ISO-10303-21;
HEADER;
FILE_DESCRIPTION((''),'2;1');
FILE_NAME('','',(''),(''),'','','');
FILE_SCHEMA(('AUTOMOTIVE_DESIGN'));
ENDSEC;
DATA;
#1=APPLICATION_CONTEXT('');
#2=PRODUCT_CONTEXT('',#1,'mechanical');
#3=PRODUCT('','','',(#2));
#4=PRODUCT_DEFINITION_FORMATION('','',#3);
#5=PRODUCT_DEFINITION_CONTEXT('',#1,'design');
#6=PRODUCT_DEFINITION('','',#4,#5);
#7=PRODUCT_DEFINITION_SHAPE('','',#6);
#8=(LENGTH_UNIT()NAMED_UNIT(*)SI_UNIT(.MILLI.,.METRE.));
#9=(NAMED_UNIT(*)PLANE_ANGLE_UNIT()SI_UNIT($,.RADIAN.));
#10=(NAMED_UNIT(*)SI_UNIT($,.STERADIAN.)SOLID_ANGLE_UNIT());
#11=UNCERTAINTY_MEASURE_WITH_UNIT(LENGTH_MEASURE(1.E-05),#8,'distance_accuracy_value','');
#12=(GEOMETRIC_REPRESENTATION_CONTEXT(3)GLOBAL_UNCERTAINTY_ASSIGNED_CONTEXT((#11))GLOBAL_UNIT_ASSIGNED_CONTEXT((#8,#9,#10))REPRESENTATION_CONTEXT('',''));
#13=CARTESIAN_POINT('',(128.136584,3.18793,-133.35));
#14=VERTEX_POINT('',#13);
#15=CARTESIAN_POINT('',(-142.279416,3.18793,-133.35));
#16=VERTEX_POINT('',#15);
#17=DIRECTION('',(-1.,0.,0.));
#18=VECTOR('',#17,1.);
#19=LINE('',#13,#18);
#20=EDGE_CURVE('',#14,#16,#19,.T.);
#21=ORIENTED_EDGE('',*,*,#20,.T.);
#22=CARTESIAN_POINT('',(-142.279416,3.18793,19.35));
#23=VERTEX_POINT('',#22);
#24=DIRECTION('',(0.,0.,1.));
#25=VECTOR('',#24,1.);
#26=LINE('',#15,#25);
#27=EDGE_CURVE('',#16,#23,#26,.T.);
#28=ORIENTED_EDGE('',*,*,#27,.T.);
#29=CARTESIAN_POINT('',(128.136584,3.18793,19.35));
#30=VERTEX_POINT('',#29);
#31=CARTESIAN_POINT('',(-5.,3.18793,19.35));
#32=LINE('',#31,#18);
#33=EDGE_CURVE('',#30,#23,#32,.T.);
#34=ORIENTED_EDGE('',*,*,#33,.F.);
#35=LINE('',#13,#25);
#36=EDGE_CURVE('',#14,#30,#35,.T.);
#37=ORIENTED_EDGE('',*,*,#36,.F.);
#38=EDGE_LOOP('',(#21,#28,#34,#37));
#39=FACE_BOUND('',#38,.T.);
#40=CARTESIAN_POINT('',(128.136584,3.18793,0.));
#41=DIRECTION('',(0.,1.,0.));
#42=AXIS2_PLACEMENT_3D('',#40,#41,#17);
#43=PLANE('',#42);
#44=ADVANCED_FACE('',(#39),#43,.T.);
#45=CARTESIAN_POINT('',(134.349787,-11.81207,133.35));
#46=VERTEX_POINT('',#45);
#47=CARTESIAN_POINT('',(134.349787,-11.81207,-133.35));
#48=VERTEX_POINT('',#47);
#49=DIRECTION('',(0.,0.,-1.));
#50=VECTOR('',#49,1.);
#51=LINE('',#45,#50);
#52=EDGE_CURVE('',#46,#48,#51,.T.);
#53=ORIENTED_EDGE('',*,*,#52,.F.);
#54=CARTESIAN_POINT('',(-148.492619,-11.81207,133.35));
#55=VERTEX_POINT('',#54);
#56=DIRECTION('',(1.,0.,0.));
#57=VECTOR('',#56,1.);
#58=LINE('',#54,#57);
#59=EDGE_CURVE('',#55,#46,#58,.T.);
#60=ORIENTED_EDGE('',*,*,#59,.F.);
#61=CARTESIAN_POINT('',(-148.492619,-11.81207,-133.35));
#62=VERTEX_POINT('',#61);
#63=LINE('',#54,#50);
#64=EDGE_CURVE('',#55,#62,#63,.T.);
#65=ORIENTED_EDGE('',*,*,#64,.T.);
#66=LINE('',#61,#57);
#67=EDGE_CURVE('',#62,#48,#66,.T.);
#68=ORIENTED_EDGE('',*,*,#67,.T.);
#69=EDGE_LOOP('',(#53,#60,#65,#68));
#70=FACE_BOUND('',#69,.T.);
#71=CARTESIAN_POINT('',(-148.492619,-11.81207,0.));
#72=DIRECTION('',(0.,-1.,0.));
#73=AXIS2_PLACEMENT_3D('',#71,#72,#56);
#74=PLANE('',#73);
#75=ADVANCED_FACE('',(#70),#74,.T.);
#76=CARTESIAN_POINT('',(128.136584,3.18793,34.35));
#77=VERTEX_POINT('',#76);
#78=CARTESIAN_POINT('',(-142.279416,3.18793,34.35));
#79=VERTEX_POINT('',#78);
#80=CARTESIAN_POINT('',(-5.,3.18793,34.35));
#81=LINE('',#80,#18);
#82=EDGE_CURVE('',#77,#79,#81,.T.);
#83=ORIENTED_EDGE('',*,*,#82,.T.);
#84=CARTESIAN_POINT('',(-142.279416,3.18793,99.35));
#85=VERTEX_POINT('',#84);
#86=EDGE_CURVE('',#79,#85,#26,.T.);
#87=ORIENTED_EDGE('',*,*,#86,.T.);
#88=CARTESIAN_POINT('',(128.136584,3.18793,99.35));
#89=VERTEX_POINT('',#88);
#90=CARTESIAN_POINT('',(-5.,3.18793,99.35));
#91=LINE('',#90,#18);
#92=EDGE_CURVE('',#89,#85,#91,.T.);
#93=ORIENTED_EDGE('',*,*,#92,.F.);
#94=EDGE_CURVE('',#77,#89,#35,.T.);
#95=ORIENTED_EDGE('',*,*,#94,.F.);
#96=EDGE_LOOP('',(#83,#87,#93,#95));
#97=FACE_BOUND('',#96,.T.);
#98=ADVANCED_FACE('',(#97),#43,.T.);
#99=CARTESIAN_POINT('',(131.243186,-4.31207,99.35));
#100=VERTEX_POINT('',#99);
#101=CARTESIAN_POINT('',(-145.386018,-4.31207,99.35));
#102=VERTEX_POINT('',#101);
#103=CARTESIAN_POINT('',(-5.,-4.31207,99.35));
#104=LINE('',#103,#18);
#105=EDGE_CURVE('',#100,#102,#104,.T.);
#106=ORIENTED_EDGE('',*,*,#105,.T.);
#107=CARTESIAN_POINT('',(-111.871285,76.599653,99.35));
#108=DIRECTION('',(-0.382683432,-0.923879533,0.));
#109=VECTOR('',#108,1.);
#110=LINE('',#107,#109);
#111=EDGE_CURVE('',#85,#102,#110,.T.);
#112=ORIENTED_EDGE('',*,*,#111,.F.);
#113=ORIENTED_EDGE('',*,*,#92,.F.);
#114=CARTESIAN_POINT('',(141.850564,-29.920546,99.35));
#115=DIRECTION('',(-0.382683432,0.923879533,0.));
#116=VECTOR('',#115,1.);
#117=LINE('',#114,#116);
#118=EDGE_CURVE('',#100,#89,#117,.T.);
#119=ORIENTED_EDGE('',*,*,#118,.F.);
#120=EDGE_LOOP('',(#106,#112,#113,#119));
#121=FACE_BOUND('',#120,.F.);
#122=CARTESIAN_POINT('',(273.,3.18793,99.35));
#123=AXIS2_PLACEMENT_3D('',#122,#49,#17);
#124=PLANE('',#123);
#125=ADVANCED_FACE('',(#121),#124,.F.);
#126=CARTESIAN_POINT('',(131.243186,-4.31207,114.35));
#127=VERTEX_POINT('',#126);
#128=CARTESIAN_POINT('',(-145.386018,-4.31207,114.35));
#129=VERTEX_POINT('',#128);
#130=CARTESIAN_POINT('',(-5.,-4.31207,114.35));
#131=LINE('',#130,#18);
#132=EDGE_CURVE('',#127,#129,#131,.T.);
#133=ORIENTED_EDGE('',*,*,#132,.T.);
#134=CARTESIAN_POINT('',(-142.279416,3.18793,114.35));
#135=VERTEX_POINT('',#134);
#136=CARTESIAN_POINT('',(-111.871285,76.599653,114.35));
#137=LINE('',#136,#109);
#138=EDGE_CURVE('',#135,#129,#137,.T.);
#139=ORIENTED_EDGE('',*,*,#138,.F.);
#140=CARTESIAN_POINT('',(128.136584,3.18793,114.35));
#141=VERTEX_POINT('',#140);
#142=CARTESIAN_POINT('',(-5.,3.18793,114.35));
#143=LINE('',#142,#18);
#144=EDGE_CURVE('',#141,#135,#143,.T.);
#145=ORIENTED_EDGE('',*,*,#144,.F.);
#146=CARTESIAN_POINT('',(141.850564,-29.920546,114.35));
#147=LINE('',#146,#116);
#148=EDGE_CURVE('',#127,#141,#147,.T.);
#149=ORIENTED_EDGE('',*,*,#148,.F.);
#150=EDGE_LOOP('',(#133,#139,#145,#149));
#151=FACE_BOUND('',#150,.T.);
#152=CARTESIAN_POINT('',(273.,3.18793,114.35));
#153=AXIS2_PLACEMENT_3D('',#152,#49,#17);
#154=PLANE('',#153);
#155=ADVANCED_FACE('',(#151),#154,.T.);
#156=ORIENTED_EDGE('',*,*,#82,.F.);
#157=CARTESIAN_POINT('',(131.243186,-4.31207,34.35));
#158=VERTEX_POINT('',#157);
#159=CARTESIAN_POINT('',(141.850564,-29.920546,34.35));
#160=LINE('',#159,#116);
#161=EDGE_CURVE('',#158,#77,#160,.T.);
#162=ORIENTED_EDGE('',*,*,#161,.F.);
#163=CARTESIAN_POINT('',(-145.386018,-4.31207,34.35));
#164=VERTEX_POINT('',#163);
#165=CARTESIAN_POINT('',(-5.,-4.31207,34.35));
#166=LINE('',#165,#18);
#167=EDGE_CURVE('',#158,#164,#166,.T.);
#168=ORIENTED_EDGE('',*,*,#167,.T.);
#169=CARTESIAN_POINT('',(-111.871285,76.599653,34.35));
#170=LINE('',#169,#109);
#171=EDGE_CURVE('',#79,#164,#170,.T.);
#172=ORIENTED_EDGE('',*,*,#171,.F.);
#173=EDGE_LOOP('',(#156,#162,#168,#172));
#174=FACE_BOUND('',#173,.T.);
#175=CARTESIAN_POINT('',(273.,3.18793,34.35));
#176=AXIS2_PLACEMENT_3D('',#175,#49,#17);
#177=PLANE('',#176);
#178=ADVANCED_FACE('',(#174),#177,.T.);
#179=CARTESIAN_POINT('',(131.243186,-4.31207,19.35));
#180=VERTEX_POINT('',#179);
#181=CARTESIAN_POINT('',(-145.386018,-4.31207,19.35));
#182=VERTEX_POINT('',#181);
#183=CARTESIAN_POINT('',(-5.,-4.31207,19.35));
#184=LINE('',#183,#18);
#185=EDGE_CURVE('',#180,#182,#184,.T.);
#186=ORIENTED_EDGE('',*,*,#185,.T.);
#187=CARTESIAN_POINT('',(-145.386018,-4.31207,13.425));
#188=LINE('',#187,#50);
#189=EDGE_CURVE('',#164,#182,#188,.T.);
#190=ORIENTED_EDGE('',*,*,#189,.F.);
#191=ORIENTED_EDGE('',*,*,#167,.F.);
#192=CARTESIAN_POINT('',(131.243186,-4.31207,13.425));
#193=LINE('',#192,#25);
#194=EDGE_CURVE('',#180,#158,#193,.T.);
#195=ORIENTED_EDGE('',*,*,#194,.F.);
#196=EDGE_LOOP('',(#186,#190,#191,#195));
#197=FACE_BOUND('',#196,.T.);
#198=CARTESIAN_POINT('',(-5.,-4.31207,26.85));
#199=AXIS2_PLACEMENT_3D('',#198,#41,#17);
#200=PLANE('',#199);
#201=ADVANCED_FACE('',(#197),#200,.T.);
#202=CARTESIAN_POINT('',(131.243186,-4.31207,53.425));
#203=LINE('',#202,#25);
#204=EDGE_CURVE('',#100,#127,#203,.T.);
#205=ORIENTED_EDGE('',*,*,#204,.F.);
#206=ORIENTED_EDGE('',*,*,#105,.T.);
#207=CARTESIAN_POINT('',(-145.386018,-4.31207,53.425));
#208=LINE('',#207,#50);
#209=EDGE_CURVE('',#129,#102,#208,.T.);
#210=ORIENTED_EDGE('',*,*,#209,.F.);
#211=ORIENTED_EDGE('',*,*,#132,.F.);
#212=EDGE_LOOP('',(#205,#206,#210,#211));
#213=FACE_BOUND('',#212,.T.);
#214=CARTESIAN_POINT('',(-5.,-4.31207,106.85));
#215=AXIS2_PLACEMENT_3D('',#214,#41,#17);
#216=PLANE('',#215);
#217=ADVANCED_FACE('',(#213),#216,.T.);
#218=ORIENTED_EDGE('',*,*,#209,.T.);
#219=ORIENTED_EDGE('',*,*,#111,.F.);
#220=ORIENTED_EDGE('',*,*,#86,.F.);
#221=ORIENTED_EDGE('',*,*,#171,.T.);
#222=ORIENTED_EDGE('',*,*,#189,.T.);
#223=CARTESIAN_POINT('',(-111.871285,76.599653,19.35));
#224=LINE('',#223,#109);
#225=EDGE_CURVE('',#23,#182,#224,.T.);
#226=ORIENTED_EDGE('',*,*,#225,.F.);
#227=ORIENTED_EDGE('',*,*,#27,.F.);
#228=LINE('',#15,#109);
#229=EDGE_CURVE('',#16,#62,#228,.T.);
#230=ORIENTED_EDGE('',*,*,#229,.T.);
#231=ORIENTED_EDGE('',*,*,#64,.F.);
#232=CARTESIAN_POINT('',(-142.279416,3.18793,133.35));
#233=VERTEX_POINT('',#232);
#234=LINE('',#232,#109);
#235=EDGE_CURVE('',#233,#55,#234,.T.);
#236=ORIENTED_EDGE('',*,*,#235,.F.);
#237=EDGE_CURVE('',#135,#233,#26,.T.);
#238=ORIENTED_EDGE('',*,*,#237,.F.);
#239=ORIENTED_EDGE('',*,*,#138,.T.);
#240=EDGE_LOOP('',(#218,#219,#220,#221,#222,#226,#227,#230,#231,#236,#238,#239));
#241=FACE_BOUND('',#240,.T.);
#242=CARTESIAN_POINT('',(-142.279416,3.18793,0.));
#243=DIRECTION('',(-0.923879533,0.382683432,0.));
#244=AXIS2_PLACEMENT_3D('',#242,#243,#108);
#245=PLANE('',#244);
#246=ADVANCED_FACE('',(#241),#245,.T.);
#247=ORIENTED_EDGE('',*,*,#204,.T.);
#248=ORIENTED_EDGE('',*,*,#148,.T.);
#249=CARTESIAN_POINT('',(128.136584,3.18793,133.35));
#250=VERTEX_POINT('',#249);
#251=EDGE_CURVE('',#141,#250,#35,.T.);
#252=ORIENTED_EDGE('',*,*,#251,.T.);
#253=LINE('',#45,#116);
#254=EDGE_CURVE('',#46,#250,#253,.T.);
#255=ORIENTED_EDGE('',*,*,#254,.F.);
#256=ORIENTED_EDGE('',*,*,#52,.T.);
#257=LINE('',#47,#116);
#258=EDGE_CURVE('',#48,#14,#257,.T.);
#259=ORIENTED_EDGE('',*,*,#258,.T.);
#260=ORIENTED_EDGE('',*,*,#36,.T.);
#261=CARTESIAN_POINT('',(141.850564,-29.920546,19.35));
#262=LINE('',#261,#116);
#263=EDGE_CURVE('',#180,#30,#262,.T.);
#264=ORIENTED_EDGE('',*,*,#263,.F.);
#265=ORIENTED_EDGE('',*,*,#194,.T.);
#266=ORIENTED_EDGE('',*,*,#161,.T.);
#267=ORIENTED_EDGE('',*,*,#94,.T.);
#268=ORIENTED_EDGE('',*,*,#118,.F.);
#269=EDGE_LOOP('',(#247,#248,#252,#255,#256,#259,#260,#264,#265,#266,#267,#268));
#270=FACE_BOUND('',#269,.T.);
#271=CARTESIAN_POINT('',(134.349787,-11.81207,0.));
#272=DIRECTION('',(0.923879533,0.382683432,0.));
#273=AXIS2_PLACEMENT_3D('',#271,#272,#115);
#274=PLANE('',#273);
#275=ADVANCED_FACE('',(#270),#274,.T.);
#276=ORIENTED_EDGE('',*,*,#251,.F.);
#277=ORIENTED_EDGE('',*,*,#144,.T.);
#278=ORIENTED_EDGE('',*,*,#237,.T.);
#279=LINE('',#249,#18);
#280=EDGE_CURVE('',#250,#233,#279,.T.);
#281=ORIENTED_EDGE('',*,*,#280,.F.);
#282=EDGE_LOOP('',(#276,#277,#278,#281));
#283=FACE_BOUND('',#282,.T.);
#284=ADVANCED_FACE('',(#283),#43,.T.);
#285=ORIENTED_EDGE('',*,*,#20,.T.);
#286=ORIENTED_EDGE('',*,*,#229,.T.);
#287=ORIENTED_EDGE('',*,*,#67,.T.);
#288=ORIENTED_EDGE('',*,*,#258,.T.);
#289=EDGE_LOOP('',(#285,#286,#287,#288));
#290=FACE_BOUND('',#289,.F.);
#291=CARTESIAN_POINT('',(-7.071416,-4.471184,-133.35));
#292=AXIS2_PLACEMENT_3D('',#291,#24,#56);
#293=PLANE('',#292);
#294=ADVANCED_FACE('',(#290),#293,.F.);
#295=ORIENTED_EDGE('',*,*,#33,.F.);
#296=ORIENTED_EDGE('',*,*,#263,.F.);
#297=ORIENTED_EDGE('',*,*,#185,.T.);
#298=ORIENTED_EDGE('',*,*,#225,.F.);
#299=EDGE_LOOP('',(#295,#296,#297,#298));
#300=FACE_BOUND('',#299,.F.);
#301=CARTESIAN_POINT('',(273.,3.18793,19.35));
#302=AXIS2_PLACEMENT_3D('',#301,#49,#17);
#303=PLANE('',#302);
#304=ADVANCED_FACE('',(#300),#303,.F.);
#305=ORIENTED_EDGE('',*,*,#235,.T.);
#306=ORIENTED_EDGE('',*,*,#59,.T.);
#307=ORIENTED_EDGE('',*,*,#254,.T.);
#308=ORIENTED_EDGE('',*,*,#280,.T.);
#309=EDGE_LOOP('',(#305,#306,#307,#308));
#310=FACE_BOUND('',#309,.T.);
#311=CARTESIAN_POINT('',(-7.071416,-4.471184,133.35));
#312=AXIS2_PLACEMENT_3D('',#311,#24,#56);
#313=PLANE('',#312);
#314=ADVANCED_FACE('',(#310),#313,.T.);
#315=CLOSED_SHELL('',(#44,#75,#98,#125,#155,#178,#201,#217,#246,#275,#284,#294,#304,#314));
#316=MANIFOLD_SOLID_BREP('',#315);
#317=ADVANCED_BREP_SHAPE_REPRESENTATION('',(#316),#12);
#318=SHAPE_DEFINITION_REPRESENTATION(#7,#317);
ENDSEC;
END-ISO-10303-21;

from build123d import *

# Parameters (mm, degrees)
F1_DEPTH = 133.35
F2_W     = 556
F2_H     = 15
F3_DEPTH = 7.5


with BuildPart() as f1:
    # F0 (on Top) → F1 (new body, symmetric)
    with BuildSketch(Plane.XY):
        Polygon((-142.2794159597, -11.8120698132), (128.1365840403, -11.8120698132), (134.3497874759, -11.8120698132), (128.1365840403, 3.1879301868), (108.9945, 3.1879301868), (-30.4355215827, 3.1879301868), (-35.2318651079, 3.1879301868), (-123.1373319193, 3.1879301868), (-142.2794159597, 3.1879301868), (-148.4926193953, -11.8120698132), align=None)
    extrude(amount=F1_DEPTH, both=True)

    # F2 (on face) → F3 (cut)
    with BuildSketch(Plane(origin=(0, 3.1879301868, 0), x_dir=(-1, 0, 0), z_dir=(0, 1, 0))):
        with Locations((5, 26.85)):
            Rectangle(F2_W, F2_H)
        with Locations((5, 106.85)):
            Rectangle(F2_W, F2_H)
    extrude(amount=-F3_DEPTH, mode=Mode.SUBTRACT)


solid = f1.part
